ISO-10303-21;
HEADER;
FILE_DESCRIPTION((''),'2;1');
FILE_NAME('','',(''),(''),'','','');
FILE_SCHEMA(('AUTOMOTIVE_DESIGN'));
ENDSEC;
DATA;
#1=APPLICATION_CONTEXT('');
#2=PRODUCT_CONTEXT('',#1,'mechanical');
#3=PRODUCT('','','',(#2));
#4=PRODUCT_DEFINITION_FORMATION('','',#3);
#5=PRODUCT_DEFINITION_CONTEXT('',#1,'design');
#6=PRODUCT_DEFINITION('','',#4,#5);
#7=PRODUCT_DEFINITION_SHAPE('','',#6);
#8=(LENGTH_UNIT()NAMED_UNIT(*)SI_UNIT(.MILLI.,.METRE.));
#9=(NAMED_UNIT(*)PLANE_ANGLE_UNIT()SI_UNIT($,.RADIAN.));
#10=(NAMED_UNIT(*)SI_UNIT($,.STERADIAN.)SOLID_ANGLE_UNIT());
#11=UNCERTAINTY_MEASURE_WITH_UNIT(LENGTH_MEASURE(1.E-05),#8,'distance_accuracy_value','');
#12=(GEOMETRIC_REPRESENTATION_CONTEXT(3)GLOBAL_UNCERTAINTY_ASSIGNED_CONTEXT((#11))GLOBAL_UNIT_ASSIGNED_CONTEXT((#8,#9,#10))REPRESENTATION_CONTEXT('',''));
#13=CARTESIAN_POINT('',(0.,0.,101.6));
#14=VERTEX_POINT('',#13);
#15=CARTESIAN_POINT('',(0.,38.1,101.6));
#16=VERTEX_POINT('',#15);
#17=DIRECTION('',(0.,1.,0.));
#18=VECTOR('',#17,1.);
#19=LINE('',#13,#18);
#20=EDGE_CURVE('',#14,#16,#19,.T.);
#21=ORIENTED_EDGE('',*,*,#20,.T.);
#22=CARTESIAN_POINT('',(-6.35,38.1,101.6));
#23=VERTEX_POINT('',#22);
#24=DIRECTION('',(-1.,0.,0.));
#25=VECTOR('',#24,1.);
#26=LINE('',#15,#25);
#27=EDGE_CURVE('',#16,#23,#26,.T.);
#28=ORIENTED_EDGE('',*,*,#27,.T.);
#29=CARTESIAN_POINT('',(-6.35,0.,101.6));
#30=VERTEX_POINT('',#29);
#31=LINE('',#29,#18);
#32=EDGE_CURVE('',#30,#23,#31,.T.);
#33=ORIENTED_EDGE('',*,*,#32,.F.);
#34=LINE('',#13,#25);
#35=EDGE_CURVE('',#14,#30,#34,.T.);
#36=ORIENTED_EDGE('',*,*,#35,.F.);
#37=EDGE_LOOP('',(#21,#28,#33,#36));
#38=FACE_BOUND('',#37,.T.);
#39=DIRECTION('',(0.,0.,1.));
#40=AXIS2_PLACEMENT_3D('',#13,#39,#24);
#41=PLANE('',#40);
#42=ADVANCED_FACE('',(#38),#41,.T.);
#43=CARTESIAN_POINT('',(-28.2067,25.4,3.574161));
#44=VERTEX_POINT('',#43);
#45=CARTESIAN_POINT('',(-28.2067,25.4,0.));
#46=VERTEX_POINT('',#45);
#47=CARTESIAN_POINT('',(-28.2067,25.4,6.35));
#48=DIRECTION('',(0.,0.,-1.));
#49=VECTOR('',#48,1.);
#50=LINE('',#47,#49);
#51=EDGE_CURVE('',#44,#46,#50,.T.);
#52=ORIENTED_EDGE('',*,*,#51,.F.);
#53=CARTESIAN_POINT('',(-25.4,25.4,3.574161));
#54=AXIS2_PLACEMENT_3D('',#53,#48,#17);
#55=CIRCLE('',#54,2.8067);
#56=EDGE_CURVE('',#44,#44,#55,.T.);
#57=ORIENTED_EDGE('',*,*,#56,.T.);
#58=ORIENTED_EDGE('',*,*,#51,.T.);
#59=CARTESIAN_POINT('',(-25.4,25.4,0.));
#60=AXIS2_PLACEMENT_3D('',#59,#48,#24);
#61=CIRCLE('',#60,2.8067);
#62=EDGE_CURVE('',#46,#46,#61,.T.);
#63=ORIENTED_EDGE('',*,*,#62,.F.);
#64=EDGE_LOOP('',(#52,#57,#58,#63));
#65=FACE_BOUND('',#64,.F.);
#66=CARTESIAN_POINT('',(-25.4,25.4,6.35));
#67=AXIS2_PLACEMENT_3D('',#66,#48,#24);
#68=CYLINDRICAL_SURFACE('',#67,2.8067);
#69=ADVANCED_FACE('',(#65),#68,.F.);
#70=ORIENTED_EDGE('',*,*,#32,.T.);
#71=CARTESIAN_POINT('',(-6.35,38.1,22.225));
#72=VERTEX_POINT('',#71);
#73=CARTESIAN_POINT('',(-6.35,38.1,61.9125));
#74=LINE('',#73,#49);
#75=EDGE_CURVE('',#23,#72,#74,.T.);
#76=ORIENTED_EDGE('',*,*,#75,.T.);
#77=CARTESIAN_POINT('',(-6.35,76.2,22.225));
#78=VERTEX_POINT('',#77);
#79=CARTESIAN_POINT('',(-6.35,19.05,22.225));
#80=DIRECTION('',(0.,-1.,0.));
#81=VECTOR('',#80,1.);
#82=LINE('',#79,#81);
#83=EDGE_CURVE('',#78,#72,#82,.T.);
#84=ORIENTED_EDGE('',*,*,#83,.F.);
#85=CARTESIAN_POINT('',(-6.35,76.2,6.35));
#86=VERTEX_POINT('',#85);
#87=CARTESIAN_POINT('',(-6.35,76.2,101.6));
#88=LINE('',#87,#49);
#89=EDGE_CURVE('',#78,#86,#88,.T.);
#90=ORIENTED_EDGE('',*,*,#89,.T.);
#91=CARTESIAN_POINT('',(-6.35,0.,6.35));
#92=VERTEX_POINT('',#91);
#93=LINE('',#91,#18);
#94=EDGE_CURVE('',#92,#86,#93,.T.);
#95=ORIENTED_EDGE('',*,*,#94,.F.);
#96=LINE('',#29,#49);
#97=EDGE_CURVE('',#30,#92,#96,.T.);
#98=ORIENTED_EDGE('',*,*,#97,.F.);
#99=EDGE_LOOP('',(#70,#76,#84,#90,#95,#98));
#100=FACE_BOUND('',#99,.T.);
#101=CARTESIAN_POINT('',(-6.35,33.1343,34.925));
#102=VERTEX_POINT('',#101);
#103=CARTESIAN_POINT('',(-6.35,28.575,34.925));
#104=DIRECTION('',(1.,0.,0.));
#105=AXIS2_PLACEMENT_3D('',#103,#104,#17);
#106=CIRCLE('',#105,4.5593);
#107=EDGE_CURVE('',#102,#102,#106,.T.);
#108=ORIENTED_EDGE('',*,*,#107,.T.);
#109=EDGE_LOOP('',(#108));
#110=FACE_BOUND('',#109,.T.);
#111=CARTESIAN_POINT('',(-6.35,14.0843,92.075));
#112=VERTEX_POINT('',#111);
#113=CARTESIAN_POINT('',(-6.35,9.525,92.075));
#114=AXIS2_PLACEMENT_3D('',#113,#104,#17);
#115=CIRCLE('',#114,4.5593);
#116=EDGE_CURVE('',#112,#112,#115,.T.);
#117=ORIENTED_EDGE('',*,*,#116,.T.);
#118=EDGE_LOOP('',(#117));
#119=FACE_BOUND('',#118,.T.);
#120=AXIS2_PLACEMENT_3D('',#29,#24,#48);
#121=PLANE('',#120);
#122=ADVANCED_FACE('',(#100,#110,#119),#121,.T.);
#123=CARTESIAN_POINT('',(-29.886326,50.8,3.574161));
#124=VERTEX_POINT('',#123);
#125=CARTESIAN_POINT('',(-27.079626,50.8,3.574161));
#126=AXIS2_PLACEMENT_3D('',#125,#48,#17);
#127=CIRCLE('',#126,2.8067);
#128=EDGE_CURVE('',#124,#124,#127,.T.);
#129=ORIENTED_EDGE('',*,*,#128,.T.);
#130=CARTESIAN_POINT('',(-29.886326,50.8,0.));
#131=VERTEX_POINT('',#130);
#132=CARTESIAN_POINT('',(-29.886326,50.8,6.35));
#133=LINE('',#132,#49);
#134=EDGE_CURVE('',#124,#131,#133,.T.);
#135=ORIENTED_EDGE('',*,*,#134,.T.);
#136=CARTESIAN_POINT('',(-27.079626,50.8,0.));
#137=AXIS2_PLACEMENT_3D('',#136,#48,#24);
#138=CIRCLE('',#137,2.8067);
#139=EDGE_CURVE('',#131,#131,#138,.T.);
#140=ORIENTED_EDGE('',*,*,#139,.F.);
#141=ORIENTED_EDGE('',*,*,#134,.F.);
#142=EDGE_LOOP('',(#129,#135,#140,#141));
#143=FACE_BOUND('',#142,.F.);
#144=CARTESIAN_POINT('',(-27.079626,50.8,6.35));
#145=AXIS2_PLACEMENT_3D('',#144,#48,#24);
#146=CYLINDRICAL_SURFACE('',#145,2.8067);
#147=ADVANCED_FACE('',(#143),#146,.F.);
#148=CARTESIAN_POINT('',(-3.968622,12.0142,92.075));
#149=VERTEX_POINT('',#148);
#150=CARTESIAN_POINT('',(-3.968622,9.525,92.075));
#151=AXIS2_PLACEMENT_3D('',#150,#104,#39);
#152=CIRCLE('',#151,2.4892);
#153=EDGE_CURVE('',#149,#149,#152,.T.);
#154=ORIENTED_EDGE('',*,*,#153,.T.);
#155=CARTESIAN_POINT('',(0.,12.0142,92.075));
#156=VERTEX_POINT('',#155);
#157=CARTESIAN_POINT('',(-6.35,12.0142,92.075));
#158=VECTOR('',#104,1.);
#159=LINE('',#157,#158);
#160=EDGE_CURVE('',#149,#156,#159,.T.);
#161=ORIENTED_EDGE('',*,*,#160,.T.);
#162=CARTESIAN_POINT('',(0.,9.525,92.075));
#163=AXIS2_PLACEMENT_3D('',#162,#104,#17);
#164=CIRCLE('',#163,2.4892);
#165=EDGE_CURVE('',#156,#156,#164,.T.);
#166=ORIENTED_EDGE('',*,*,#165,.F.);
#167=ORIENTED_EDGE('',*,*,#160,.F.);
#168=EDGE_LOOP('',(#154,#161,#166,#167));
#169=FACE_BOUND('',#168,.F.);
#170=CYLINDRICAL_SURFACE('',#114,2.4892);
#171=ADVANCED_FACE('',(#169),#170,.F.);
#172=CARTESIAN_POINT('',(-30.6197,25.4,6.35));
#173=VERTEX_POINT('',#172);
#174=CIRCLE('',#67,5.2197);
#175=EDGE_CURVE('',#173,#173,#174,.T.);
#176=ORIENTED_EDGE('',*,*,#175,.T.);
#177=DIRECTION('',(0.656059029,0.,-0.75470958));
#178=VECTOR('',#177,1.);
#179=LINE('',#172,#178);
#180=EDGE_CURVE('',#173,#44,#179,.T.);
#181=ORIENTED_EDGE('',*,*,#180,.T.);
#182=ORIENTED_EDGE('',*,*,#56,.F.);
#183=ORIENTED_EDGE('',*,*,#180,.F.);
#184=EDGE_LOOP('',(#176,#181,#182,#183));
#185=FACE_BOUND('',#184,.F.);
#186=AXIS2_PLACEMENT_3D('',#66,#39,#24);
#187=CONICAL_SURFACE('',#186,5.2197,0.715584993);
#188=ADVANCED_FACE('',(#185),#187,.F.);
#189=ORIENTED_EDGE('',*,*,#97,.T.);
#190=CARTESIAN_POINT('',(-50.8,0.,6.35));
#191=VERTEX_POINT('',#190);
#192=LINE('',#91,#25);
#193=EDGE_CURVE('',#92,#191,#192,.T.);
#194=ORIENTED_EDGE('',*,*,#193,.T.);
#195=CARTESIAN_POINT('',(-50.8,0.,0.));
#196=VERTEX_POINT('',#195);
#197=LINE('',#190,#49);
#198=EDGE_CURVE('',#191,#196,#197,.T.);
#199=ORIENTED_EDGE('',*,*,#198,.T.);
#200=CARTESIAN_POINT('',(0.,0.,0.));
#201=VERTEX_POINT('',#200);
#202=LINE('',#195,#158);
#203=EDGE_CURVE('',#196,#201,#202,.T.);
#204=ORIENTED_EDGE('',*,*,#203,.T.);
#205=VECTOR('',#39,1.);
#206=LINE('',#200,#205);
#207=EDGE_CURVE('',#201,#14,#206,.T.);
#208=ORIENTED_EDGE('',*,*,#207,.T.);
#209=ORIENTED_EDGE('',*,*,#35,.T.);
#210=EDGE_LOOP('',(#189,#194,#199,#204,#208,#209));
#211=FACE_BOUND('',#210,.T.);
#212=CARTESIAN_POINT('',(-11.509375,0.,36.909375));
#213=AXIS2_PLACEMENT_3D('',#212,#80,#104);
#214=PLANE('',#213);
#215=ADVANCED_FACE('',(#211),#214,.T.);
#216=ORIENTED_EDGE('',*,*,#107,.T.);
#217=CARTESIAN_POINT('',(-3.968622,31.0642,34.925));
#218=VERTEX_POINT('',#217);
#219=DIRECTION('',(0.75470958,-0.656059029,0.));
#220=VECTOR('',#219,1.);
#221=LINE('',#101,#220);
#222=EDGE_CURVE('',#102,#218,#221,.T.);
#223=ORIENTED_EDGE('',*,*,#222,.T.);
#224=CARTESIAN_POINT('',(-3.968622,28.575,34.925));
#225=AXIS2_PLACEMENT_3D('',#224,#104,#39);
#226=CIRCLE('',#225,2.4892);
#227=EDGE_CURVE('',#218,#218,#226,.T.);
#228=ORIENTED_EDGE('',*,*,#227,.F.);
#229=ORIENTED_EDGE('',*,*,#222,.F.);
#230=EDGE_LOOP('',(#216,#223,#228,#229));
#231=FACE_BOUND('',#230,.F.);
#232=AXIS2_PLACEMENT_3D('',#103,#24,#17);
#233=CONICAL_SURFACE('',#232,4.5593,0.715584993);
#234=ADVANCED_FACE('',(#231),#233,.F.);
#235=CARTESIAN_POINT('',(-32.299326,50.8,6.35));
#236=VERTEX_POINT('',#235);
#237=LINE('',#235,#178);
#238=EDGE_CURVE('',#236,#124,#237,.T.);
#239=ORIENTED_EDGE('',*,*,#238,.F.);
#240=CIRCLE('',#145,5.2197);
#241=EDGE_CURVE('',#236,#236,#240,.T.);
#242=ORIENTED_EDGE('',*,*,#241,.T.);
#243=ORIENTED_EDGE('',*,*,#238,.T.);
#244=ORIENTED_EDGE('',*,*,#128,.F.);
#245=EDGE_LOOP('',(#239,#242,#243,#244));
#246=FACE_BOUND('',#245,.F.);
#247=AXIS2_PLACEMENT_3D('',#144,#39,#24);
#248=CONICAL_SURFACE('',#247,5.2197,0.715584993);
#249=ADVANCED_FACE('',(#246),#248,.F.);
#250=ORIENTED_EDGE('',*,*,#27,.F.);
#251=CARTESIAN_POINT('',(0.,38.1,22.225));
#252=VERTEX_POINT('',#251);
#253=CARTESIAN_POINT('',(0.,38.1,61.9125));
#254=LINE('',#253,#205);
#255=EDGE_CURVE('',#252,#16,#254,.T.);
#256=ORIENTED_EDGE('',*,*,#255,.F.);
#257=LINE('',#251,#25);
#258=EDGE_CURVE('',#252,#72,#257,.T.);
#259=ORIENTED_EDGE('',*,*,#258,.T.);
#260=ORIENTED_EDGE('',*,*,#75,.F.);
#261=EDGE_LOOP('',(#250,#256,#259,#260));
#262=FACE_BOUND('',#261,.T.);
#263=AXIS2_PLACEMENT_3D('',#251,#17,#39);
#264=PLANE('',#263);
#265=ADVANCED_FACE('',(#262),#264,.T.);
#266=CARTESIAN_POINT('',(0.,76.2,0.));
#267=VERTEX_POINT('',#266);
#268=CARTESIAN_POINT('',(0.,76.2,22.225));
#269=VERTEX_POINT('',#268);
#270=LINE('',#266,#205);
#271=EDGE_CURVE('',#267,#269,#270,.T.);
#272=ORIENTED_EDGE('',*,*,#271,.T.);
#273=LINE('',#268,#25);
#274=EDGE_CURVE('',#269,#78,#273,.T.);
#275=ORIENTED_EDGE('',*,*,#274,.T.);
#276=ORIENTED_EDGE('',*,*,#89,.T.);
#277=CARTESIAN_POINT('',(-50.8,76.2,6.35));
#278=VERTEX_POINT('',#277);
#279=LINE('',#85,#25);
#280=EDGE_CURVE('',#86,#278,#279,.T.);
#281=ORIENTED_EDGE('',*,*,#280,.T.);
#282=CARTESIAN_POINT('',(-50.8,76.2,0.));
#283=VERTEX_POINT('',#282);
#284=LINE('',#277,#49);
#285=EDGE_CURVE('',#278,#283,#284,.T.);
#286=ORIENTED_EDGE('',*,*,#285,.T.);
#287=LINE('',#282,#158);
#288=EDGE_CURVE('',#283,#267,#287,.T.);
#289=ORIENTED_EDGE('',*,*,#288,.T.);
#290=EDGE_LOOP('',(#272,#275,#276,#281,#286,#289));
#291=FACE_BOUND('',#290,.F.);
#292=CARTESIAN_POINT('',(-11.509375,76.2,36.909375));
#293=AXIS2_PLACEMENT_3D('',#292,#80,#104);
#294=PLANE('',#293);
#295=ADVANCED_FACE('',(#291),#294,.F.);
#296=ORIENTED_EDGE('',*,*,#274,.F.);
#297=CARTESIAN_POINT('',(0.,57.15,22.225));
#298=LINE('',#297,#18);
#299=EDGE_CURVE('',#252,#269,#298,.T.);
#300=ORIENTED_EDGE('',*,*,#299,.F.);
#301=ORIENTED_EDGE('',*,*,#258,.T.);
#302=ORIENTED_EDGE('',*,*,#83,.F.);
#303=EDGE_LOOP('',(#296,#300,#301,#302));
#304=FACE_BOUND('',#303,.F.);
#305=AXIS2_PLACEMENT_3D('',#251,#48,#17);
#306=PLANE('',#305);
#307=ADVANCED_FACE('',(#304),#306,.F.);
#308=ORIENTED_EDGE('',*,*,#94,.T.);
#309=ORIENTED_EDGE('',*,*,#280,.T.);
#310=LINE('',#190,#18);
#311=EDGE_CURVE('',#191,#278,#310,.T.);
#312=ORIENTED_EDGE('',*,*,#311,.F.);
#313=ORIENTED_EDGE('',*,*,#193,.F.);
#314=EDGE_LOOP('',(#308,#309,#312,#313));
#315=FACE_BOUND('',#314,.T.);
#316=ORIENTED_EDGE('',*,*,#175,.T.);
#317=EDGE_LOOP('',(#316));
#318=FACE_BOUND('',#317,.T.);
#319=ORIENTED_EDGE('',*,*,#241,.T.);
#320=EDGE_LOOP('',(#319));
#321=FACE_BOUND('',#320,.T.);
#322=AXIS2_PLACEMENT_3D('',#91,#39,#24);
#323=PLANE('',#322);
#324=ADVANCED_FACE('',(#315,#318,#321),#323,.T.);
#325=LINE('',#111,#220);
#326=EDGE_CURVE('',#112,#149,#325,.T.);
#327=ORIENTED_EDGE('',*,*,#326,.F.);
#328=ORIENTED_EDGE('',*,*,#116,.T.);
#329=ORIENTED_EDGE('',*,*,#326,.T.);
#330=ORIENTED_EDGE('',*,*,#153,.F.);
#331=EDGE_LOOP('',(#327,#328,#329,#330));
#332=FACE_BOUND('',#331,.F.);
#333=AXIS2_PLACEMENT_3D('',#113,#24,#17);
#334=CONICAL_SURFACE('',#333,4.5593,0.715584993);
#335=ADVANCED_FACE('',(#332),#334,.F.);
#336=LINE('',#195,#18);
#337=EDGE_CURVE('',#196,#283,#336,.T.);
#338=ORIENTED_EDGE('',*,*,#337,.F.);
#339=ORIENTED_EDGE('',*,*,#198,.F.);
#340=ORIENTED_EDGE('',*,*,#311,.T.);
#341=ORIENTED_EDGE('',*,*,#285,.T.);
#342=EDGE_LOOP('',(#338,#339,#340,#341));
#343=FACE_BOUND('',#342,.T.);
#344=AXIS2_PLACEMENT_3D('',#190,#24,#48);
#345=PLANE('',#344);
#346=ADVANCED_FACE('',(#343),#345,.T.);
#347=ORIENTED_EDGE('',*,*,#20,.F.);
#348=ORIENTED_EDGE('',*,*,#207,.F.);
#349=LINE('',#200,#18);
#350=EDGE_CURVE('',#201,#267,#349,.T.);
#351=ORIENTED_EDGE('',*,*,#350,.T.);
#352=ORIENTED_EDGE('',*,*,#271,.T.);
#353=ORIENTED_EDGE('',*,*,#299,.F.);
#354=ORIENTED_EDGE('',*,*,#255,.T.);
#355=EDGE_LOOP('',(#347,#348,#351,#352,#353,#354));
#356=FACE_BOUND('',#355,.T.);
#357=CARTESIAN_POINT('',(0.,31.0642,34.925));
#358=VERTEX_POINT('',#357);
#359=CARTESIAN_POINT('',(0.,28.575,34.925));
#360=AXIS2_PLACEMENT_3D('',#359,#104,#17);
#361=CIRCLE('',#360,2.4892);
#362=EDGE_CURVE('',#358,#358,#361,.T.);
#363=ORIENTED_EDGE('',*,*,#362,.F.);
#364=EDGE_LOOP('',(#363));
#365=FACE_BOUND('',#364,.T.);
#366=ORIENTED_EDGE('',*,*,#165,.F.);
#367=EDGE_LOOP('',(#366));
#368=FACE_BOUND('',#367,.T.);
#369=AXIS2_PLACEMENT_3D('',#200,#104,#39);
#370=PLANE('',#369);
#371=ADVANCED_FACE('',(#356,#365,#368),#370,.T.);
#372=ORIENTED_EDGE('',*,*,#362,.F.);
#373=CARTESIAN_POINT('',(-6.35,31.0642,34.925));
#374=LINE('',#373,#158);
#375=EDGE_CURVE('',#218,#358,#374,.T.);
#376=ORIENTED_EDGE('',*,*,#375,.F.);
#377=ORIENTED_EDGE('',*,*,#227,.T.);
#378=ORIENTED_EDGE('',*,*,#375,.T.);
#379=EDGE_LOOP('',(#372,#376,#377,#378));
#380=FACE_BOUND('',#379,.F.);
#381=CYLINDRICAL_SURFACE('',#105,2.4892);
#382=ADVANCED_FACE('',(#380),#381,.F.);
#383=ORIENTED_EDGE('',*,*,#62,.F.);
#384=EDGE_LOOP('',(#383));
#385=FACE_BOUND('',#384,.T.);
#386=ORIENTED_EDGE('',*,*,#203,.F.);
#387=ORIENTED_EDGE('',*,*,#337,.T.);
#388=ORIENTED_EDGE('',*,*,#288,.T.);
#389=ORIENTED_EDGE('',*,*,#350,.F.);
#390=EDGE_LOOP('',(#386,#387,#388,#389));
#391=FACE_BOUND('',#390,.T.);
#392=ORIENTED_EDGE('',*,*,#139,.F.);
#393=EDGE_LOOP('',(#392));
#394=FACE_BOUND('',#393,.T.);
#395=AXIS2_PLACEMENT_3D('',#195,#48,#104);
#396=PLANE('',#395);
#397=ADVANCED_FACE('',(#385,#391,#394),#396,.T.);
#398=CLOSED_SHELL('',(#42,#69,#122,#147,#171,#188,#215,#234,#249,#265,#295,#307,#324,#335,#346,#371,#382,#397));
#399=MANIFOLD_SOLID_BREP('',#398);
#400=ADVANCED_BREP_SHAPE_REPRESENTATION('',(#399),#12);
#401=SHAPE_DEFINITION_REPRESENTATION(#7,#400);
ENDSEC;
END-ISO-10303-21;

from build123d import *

# Parameters (mm, degrees)
F1_DEPTH       = 76.2
F3_D           = 4.9784
F3_CSINK_D     = 9.1186
F3_CSINK_ANGLE = 82
F5_D           = 5.6134
F5_CSINK_D     = 10.4394
F5_CSINK_ANGLE = 82
F6_W           = 38.1
F6_H           = 79.375
F7_DEPTH       = 50.801


with BuildPart() as f1:
    # F0 (on Front) → F1 (new body)
    with BuildSketch(Plane.XZ):
        Polygon((-50.8, 0), (0, 0), (0, 101.6), (-6.35, 101.6), (-6.35, 6.35), (-50.8, 6.35), align=None)
    extrude(amount=-F1_DEPTH)

    # F3 (through all)
    with Locations(Plane(origin=(-6.35, 0, 0), x_dir=(0, -1, 0), z_dir=(-1, 0, 0))):
        with Locations((-9.525, 92.075), (-28.575, 34.925)):
            CounterSinkHole(F3_D / 2, F3_CSINK_D / 2, counter_sink_angle=F3_CSINK_ANGLE)

    # F5 (through all)
    with Locations(Plane.XY.offset(6.35)):
        with Locations((-25.4, 25.4), (-27.0796256672, 50.8)):
            CounterSinkHole(F5_D / 2, F5_CSINK_D / 2, counter_sink_angle=F5_CSINK_ANGLE)

    # F6 (on face) → F7 (cut, through all)
    with BuildSketch(Plane.YZ):
        with Locations((57.15, 61.9125)):
            Rectangle(F6_W, F6_H)
    extrude(amount=-F7_DEPTH, mode=Mode.SUBTRACT)


solid = f1.part
